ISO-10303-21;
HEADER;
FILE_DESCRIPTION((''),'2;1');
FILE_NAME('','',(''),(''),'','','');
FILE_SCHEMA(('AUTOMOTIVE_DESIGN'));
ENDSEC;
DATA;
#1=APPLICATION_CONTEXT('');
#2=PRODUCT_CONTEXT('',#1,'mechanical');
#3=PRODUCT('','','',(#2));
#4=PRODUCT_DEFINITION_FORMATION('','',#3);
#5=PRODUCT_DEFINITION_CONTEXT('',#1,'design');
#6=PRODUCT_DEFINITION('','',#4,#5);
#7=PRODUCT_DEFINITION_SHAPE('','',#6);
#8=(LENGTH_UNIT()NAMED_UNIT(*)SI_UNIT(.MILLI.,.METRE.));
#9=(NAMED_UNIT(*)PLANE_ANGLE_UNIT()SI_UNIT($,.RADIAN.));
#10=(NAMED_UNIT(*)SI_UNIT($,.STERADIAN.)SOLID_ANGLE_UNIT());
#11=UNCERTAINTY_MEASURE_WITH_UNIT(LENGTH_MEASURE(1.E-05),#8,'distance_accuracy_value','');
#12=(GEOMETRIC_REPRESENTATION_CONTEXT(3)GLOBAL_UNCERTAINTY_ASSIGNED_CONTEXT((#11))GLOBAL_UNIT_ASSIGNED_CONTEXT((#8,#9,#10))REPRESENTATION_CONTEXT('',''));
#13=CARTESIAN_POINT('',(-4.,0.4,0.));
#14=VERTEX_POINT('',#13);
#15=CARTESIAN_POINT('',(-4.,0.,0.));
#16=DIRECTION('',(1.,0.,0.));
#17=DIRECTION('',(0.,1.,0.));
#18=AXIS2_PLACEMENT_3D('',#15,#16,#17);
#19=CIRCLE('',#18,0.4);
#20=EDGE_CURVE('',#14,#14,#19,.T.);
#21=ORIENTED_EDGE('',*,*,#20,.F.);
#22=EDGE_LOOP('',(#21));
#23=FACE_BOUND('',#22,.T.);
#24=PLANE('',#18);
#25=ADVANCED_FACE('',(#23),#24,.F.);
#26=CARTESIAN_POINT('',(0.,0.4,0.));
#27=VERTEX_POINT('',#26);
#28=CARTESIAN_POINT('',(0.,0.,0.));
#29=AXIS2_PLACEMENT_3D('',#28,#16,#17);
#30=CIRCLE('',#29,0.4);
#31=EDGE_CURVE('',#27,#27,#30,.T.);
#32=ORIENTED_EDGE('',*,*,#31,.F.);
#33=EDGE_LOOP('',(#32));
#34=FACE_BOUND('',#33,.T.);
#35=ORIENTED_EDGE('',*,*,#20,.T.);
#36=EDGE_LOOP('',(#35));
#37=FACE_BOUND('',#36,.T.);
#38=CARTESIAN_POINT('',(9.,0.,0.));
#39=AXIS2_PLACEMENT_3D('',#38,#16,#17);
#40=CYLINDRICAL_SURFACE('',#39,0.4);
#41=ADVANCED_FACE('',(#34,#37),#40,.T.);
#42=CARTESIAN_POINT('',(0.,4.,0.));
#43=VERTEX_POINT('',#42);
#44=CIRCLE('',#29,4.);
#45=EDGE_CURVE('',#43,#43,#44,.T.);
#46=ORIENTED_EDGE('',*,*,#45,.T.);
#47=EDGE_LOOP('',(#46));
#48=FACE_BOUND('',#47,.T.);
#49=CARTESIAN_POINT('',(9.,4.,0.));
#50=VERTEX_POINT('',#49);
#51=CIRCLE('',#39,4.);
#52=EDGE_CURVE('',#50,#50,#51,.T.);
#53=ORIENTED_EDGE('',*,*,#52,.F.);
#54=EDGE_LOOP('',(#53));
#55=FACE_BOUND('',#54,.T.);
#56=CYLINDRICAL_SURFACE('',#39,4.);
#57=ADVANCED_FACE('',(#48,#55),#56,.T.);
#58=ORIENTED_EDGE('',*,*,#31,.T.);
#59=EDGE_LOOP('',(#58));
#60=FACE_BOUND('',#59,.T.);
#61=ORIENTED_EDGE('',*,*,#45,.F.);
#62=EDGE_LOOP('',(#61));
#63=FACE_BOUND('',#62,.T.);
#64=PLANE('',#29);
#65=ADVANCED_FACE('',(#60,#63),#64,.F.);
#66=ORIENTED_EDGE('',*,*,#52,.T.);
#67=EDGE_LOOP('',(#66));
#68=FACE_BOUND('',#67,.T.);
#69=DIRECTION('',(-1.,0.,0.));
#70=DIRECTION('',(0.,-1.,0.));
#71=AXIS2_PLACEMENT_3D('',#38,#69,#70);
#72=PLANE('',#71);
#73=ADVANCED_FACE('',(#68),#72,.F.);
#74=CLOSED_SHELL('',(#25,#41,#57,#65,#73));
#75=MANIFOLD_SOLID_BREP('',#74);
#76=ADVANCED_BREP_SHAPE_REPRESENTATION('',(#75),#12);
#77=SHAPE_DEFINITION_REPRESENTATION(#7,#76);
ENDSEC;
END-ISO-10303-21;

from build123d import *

# Parameters (mm, degrees)
SKETCH1_W   = 4
SKETCH1_H   = 0.4
SKETCH1_W_2 = 9
SKETCH1_H_2 = 4


with BuildPart() as part:
    # Sketch1 → Revolve1 (revolve)
    with BuildSketch(Plane.XY):
        with Locations((-2, 0.2)):
            Rectangle(SKETCH1_W, SKETCH1_H)
        with Locations((4.5, 2)):
            Rectangle(SKETCH1_W_2, SKETCH1_H_2)
    revolve(axis=Axis((9, 0, 0), (-1, 0, 0)))


solid = part.part
